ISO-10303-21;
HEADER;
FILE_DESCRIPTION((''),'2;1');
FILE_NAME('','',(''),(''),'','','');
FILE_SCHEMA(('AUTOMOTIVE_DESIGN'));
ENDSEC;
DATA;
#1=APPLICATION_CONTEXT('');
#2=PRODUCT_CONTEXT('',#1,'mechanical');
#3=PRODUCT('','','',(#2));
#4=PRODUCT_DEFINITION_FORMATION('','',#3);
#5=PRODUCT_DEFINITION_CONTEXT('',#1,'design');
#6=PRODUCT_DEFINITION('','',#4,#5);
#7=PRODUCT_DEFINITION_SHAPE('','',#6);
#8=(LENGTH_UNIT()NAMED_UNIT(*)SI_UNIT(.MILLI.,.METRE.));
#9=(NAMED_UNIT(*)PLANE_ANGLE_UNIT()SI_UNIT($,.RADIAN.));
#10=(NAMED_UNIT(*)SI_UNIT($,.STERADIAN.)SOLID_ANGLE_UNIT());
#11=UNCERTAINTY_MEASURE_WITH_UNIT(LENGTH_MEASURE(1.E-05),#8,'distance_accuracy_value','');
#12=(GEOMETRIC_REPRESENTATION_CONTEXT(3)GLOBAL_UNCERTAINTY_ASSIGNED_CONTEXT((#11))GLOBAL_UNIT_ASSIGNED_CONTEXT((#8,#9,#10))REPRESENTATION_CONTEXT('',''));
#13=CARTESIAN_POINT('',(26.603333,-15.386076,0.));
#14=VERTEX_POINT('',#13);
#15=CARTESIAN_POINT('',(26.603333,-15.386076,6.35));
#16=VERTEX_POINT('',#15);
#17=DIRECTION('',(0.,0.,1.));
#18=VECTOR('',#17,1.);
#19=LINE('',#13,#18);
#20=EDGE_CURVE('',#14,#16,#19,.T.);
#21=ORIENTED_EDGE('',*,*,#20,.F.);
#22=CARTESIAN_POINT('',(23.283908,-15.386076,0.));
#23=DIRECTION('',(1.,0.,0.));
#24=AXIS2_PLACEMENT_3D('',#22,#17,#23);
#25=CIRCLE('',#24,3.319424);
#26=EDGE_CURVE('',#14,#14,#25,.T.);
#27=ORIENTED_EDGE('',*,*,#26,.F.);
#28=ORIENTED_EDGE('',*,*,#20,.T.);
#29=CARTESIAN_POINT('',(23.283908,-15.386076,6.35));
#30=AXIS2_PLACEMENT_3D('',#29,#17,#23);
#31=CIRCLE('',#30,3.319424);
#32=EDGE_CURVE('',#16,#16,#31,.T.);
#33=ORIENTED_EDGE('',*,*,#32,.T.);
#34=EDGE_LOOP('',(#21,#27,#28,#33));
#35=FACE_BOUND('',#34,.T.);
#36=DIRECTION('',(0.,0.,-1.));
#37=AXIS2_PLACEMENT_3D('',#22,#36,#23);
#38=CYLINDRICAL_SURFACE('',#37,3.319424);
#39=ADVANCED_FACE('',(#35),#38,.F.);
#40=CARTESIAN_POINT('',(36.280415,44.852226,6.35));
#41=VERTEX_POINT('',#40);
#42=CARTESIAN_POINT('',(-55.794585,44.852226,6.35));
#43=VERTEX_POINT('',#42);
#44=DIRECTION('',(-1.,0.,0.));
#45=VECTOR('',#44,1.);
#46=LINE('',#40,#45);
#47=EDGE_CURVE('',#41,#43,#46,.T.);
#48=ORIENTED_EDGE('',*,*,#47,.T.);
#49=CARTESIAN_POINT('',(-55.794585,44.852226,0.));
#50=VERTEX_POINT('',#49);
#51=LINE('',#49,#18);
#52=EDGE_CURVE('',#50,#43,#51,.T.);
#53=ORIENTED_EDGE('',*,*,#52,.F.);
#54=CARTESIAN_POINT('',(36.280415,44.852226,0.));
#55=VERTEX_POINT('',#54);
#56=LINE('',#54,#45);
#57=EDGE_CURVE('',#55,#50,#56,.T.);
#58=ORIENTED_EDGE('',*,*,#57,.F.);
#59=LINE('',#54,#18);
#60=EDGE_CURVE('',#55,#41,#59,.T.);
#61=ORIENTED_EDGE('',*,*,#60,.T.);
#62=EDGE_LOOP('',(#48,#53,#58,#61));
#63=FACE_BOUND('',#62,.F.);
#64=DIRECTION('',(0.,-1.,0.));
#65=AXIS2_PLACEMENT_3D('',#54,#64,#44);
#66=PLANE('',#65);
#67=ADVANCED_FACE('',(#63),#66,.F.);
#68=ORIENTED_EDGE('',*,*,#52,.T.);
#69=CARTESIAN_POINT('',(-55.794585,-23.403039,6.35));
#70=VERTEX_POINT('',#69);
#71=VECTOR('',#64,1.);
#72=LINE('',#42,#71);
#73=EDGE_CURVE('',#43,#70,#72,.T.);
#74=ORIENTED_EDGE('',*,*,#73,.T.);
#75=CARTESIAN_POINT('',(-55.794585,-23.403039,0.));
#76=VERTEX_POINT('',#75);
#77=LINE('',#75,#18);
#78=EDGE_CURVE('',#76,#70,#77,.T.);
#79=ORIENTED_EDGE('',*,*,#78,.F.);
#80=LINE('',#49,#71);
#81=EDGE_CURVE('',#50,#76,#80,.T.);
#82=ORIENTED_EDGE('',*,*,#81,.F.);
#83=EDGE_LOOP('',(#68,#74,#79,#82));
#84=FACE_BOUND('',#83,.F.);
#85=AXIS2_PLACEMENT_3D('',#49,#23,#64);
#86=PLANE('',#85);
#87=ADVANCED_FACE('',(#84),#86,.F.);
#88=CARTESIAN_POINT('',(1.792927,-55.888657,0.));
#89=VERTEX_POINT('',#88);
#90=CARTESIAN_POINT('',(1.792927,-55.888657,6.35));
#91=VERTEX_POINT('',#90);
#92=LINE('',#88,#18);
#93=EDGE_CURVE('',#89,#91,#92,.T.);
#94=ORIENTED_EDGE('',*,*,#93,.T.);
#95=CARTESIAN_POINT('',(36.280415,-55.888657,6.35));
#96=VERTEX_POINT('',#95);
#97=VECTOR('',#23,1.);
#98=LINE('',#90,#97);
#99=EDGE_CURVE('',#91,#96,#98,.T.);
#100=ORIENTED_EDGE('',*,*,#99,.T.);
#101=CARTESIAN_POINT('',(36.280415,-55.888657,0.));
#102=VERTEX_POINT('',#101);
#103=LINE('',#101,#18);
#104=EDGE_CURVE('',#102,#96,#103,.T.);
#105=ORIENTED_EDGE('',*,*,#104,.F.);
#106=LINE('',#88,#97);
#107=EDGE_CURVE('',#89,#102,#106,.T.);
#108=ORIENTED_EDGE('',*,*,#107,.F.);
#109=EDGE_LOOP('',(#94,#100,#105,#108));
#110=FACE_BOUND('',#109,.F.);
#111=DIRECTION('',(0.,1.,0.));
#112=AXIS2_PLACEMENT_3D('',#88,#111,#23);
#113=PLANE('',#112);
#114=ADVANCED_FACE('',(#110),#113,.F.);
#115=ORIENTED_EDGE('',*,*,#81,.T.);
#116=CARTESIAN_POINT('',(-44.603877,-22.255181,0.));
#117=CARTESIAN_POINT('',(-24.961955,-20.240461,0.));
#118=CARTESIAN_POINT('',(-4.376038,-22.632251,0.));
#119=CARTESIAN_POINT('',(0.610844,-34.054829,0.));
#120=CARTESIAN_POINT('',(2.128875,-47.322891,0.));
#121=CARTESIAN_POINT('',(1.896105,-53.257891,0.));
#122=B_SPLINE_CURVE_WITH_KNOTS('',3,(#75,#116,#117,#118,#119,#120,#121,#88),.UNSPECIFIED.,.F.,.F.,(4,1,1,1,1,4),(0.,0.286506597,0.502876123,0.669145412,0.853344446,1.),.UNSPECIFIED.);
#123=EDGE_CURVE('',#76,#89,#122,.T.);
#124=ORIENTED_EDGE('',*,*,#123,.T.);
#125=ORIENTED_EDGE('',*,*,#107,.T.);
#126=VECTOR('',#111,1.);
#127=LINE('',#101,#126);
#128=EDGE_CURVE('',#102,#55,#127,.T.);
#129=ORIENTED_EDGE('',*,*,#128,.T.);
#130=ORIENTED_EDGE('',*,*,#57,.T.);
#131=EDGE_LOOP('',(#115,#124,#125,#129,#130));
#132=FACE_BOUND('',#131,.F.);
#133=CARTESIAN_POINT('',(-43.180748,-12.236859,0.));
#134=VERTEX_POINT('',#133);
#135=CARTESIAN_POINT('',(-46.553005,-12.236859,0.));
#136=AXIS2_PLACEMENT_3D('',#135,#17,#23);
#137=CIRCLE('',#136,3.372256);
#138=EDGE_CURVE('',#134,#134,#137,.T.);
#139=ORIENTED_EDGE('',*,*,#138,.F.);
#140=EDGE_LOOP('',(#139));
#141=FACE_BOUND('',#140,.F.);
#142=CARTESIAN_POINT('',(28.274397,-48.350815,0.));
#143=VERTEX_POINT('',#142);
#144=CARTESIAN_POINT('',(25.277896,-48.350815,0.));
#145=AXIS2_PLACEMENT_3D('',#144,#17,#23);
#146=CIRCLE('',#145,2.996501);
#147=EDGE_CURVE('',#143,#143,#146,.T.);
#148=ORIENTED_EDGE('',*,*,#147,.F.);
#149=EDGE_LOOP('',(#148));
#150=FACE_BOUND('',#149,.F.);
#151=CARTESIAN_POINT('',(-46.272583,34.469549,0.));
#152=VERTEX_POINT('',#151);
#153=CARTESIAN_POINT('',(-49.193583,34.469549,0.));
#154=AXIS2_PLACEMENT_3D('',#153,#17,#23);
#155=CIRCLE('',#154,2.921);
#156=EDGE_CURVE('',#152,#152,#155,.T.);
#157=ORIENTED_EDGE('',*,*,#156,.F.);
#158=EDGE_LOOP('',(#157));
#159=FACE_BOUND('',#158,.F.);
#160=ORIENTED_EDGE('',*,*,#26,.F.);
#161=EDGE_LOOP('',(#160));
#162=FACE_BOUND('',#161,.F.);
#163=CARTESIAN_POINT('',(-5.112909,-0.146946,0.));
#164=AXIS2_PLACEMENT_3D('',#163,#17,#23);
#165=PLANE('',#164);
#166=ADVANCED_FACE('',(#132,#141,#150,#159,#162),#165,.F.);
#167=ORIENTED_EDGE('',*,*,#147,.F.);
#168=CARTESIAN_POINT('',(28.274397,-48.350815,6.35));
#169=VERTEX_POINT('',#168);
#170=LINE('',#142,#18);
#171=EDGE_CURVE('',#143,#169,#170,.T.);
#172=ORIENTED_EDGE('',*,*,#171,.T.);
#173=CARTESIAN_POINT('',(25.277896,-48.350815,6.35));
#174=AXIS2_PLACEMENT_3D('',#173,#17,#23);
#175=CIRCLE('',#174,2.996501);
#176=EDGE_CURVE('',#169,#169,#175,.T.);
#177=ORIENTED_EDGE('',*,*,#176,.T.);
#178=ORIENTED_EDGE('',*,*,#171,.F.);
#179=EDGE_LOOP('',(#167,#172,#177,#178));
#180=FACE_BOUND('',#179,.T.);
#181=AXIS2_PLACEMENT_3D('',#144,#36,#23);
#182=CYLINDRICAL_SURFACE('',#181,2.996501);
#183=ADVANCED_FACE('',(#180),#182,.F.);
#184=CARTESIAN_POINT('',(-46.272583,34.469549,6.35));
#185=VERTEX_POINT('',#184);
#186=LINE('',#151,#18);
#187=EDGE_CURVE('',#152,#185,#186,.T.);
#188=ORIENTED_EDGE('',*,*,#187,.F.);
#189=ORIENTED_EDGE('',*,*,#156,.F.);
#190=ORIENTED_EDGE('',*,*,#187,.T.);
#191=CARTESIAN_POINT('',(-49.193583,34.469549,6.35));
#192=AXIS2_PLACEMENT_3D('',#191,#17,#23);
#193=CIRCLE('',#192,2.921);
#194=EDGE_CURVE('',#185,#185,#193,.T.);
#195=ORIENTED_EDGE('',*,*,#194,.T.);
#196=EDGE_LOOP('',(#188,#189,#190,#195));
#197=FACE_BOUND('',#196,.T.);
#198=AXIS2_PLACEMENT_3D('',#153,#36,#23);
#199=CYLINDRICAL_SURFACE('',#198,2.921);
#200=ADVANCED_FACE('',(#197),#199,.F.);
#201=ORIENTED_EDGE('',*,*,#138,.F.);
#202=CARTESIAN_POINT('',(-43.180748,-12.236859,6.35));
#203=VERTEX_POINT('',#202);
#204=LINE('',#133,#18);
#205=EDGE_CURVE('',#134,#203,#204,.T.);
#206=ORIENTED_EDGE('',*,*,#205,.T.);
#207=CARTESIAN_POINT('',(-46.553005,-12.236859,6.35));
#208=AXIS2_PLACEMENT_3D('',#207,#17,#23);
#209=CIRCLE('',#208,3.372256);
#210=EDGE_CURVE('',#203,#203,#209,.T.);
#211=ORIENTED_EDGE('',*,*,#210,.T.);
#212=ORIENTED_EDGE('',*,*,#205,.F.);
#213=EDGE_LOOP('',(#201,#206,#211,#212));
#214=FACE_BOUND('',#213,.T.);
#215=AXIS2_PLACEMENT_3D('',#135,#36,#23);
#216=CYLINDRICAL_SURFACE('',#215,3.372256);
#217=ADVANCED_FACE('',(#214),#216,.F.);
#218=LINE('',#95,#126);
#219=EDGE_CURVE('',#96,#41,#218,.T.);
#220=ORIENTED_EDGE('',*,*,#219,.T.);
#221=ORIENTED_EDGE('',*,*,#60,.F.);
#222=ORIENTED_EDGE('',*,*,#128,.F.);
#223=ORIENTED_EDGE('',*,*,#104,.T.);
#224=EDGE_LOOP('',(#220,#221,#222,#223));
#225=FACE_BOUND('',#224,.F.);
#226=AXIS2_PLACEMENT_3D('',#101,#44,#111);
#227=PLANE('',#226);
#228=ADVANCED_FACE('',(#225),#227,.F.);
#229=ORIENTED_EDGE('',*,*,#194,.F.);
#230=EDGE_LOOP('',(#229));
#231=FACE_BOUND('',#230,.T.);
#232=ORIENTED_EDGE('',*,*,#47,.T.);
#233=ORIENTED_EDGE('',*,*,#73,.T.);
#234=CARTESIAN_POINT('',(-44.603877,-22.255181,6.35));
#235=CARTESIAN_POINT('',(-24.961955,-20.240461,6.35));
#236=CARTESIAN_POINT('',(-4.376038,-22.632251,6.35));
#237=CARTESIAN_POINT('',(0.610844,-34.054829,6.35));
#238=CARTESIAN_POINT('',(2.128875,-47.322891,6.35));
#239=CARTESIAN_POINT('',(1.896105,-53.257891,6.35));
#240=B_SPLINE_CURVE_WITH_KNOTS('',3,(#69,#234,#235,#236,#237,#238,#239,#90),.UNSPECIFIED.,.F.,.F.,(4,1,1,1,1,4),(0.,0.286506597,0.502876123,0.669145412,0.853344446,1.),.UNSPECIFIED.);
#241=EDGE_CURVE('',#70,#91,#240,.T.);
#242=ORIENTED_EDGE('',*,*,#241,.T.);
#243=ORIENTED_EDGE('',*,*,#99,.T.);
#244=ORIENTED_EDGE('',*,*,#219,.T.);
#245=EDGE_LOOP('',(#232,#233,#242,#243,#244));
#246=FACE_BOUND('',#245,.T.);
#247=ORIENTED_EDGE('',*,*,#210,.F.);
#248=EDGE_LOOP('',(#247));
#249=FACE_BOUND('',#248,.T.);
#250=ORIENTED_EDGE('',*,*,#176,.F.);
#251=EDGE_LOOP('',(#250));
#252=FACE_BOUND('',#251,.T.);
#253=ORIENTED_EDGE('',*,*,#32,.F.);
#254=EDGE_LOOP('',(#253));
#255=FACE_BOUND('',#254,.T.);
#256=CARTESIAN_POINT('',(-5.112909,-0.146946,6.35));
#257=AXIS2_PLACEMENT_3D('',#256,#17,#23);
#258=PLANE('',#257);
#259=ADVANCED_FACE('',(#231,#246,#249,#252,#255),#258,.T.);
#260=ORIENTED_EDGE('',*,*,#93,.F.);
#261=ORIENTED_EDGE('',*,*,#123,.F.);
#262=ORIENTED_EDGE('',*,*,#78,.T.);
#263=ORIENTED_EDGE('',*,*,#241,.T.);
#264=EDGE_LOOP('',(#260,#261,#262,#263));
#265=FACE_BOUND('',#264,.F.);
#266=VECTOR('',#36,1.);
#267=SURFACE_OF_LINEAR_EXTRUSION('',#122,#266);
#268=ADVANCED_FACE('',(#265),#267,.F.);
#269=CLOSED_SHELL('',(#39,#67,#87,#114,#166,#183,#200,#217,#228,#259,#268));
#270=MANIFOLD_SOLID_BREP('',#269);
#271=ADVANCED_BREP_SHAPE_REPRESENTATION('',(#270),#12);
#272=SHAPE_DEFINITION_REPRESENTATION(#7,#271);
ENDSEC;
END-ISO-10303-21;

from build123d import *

# Parameters (mm, degrees)
F0_R     = 3.3722564
F0_R_2   = 2.9965015
F0_R_3   = 3.3194244
F0_R_4   = 2.921
F1_DEPTH = 6.35


with BuildPart() as f1:
    # F0 (on Top) → F1 (new body)
    with BuildSketch(Plane.XY):
        with BuildLine():
            Line((36.2804145038, -55.8886565268), (36.2804145038, 44.8522258261))
            Line((36.2804145038, 44.8522258261), (-55.7945854962, 44.8522258261))
            Line((-55.7945854962, 44.8522258261), (-55.7945854962, -23.4030392021))
            add(Edge.make_bspline(
                [(-55.7945854962, -23.4030392021), (-44.6038769228, -22.2551808426), (-24.9619552176, -20.240460874), (-4.3760378575, -22.632251186), (0.6108438614, -34.0548289929), (2.1288748453, -47.3228905612), (1.8961051061, -53.2578911354), (1.7929269234, -55.8886565268)],
                knots=[0, 0, 0, 0, 0.2865065967, 0.502876123, 0.6691454122, 0.8533444457, 1, 1, 1, 1], degree=3))
            Line((1.7929269234, -55.8886565268), (36.2804145038, -55.8886565268))
        make_face()
        with Locations((-46.5530045331, -12.2368587181)):
            Circle(F0_R, mode=Mode.SUBTRACT)
        with Locations((25.2778958529, -48.3508147299)):
            Circle(F0_R_2, mode=Mode.SUBTRACT)
        with Locations((23.2839081436, -15.3860757127)):
            Circle(F0_R_3, mode=Mode.SUBTRACT)
        with Locations((-49.1935834289, 34.4695486128)):
            Circle(F0_R_4, mode=Mode.SUBTRACT)
    extrude(amount=F1_DEPTH)


solid = f1.part
